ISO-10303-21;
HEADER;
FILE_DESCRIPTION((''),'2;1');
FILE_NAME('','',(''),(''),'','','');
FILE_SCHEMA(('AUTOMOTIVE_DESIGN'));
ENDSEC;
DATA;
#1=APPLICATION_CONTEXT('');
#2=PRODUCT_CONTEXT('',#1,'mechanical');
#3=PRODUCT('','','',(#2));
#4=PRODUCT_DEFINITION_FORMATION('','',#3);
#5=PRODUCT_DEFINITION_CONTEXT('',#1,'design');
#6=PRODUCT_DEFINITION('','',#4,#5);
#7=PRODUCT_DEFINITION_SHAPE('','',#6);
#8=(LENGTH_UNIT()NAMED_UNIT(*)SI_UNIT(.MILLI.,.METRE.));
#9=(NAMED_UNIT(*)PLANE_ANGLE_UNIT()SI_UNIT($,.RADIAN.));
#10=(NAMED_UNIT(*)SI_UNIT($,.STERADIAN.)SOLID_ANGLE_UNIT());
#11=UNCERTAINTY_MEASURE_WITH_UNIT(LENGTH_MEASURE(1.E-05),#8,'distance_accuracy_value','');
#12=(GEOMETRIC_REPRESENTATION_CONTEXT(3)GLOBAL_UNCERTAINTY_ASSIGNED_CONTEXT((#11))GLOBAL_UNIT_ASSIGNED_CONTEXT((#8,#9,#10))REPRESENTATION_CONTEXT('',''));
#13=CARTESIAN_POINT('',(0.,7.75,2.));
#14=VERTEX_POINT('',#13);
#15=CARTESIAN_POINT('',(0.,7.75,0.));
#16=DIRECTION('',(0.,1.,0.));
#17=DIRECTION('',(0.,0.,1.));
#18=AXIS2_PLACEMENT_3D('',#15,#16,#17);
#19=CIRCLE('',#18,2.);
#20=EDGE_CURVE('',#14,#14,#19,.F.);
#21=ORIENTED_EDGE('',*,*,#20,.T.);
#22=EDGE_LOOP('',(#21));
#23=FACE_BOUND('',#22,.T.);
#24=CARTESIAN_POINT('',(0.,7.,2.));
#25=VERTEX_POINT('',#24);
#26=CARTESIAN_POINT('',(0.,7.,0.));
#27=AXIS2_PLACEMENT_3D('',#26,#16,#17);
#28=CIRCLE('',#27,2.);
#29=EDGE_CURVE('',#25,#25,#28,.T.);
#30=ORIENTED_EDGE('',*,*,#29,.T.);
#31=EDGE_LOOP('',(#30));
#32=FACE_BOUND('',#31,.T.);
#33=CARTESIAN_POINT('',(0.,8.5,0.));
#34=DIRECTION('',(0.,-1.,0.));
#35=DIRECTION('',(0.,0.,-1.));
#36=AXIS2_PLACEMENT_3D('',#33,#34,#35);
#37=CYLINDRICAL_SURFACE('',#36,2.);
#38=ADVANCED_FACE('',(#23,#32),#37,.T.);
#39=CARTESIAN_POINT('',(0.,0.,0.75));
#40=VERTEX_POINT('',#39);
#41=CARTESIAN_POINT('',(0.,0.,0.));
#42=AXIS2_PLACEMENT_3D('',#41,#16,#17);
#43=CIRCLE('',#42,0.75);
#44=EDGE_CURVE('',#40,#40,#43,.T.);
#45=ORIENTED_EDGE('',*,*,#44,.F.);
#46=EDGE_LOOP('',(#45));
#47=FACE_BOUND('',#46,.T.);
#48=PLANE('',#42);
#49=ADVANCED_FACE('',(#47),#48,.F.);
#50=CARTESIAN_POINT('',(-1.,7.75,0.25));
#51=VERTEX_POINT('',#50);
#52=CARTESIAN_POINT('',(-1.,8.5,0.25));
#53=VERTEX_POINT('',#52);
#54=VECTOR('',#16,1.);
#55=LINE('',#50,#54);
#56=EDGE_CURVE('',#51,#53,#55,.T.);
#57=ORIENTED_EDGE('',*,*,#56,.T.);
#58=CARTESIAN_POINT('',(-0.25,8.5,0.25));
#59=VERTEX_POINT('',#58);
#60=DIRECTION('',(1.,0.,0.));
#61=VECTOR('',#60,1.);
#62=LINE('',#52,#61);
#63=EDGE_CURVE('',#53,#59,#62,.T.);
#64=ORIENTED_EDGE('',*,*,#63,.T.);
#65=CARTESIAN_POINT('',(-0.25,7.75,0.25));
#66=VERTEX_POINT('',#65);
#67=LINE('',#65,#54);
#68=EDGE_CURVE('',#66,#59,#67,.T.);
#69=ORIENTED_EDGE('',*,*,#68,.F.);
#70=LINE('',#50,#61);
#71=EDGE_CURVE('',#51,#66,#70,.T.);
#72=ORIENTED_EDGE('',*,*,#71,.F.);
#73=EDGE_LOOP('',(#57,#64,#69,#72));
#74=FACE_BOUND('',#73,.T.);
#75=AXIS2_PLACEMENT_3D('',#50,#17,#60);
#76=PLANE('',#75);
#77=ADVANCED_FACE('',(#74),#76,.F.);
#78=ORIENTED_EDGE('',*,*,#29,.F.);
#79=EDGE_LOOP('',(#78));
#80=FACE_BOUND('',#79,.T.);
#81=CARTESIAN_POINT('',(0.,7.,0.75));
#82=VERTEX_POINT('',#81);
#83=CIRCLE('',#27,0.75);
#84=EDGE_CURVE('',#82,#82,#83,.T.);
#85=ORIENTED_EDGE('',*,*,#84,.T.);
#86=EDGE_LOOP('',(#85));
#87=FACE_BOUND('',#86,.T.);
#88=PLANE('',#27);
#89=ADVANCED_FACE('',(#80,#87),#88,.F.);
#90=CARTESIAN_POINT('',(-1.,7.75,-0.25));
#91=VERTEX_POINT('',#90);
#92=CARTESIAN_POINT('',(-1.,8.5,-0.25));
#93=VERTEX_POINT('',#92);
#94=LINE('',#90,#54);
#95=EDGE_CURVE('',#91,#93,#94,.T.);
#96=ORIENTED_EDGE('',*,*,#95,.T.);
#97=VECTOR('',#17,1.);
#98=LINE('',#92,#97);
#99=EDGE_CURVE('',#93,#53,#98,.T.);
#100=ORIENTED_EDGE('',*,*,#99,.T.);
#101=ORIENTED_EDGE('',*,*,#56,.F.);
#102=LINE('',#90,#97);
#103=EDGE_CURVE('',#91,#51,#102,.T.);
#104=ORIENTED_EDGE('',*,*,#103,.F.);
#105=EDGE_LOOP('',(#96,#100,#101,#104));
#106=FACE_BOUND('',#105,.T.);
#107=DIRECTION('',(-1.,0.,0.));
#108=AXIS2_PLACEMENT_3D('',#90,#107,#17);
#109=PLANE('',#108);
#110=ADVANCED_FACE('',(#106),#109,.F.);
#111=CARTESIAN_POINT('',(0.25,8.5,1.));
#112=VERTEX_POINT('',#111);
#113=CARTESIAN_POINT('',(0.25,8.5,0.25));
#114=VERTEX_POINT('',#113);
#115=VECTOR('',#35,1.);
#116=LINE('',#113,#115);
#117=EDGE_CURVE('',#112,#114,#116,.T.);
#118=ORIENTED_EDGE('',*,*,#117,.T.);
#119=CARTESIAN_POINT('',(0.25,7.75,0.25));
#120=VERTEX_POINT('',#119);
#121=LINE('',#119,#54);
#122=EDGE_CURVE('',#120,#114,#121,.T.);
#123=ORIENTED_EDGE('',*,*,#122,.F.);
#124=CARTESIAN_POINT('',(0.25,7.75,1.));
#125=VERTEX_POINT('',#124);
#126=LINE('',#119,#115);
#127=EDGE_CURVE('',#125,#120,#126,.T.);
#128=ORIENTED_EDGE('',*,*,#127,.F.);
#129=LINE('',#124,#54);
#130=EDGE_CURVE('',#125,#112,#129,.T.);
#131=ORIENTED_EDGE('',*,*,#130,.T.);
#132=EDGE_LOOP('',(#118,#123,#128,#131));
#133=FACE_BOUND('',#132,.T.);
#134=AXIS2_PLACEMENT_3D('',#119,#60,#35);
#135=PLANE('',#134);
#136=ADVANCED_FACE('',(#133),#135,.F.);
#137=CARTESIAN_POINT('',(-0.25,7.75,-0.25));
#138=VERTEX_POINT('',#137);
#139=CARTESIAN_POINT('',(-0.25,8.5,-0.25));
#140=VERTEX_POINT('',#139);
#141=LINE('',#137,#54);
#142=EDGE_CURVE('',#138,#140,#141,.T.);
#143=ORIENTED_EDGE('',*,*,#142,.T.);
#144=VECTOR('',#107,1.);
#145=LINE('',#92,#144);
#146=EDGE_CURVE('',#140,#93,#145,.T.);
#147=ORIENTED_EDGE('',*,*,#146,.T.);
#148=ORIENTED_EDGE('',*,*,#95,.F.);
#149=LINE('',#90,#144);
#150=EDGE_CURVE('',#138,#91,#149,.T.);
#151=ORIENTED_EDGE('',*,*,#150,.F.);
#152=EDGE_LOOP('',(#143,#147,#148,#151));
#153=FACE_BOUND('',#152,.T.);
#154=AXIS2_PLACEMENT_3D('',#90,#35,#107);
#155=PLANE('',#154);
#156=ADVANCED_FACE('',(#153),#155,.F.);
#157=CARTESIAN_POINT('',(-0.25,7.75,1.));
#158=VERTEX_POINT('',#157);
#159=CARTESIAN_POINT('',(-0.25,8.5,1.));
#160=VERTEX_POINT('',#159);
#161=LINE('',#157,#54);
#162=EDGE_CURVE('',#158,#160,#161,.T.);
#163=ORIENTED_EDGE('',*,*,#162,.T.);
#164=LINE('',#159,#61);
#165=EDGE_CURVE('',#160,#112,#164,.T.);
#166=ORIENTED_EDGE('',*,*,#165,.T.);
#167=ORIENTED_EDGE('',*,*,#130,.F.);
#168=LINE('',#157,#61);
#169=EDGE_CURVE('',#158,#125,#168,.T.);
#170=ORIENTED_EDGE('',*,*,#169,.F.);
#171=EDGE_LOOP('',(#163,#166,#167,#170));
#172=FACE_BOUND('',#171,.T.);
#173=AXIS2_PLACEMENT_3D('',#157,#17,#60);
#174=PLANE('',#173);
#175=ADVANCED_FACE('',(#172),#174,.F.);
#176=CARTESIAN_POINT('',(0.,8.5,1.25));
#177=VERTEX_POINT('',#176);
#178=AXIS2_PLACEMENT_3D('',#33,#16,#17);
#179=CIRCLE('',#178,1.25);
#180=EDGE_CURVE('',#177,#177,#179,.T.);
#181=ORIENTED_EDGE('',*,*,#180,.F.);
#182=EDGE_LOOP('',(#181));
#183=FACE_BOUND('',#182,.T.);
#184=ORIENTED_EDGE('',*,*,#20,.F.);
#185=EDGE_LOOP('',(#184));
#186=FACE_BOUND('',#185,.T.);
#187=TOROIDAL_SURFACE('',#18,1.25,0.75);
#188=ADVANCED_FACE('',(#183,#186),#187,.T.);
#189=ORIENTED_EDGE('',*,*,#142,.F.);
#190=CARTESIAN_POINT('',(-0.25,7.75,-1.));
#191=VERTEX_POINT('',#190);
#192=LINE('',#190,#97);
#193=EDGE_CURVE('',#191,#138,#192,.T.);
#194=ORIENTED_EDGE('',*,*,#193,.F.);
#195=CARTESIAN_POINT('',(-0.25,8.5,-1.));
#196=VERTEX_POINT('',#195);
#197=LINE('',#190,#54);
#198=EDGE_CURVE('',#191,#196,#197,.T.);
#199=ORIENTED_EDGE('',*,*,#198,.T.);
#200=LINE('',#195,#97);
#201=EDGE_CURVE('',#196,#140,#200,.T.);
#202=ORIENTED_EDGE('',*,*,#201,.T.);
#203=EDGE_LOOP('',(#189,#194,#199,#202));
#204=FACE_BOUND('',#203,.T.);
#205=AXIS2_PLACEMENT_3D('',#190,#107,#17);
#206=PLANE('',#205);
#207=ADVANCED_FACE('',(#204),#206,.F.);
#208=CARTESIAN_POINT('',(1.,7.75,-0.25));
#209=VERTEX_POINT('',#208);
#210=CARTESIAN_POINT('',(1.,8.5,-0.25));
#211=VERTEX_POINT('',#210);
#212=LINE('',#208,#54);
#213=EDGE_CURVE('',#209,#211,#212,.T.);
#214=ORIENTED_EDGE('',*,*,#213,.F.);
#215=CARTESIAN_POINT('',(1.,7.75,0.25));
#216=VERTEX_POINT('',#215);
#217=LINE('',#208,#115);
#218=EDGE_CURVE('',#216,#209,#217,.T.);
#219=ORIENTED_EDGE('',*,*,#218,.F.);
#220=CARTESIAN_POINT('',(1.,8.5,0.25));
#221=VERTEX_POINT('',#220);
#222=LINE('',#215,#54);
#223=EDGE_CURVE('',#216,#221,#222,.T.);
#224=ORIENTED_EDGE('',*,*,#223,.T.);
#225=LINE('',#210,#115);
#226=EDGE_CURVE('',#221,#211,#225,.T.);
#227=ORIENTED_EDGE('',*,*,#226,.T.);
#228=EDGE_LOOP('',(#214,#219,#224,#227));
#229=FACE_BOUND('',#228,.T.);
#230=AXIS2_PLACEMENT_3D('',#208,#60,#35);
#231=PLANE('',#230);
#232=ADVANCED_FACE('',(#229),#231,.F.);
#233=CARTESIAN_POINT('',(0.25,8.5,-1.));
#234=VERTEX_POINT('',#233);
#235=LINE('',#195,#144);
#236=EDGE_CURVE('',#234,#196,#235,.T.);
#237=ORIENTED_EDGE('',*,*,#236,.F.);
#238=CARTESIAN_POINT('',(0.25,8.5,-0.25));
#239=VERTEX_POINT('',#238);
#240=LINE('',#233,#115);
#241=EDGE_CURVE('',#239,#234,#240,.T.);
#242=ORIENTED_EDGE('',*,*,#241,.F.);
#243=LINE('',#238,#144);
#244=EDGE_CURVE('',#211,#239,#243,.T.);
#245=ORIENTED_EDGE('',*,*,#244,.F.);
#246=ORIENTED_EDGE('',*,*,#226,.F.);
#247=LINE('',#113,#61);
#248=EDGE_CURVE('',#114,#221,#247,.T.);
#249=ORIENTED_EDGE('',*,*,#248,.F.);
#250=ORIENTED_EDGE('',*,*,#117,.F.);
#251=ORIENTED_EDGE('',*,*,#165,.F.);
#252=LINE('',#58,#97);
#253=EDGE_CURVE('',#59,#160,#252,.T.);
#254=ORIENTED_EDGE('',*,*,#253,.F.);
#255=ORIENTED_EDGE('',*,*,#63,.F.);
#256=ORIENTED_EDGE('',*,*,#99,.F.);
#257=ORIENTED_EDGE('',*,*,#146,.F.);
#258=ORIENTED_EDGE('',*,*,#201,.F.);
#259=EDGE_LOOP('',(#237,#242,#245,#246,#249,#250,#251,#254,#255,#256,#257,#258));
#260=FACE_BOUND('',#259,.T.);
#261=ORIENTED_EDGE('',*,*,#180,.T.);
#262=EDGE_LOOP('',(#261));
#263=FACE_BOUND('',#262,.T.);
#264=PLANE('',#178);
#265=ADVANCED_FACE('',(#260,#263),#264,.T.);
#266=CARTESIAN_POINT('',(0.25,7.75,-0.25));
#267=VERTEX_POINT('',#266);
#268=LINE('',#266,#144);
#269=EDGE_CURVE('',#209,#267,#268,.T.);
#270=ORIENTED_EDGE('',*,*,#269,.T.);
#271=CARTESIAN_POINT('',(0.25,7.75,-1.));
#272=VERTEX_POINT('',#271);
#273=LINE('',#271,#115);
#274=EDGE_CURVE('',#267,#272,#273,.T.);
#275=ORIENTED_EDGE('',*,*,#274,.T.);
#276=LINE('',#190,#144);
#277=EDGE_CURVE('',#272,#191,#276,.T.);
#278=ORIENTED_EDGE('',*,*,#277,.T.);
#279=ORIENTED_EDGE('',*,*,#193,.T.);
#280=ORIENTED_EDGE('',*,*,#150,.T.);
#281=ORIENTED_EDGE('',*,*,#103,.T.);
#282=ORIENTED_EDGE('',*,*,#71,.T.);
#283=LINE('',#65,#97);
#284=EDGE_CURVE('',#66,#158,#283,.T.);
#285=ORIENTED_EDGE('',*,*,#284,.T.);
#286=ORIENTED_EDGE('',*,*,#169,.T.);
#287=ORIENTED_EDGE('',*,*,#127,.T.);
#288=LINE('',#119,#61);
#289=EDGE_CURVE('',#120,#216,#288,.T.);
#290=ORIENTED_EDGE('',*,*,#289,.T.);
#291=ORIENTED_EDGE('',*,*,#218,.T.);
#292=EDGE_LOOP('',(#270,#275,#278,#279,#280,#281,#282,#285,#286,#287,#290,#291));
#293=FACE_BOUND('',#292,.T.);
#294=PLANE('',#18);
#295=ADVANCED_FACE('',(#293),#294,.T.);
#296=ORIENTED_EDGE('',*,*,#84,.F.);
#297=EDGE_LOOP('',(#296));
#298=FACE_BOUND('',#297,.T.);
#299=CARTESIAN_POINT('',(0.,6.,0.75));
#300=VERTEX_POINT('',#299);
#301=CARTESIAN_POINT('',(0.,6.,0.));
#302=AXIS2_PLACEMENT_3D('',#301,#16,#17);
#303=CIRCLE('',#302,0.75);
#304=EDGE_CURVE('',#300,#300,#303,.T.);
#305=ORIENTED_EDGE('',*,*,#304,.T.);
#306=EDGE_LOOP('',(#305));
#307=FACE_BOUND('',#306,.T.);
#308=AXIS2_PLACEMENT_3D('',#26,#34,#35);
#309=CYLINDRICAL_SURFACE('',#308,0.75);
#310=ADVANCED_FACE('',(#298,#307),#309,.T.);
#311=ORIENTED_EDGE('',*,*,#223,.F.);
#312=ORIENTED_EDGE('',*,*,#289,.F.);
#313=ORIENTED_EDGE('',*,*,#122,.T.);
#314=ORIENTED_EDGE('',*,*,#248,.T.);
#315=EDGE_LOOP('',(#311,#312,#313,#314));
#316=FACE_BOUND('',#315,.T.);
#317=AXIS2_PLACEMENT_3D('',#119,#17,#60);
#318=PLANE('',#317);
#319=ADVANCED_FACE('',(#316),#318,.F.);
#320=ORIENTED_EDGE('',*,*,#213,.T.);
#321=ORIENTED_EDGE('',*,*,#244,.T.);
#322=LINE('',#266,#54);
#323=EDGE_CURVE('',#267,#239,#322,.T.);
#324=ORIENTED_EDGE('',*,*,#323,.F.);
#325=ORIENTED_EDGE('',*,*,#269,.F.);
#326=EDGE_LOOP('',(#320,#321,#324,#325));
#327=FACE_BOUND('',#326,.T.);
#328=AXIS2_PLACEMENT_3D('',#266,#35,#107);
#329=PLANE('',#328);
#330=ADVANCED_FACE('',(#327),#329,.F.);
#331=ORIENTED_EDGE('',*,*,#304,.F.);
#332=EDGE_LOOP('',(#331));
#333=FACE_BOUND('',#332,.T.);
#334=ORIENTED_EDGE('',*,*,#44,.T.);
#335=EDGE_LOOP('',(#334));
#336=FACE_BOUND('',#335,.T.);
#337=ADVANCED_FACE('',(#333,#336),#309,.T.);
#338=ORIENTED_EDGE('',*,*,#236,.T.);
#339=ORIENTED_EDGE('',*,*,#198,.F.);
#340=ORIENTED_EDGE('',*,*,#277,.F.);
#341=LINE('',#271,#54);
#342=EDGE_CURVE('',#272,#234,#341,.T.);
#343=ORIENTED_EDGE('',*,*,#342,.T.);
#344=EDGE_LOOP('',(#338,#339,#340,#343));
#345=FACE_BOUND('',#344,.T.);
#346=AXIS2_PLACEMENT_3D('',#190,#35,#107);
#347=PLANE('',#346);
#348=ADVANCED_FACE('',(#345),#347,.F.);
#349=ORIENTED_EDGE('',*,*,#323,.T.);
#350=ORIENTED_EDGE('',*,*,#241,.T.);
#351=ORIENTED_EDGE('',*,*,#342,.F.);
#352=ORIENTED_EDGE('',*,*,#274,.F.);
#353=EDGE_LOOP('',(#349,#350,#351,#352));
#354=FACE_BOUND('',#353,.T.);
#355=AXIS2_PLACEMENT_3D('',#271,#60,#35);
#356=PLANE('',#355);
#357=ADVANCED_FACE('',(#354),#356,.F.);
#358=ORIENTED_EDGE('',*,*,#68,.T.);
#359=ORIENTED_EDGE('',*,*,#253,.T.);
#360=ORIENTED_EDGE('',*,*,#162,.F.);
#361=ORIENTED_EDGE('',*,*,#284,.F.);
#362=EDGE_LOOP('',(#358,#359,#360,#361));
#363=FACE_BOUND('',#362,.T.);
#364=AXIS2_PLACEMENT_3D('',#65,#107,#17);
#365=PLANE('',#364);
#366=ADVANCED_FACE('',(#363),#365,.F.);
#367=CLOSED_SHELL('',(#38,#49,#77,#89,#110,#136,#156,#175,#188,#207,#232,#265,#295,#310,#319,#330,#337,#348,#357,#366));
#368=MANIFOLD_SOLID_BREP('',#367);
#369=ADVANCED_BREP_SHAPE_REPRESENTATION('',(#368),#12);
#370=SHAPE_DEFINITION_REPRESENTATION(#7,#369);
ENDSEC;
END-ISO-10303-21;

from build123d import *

# Parameters (mm, degrees)
SKETCH3_R           = 0.75
BOSS_EXTRUDE1_DEPTH = 7
SKETCH4_R           = 2
BOSS_EXTRUDE2_DEPTH = 1.5
FILLET3_R           = 0.75
CUT_EXTRUDE4_DEPTH  = 0.75


with BuildPart() as part:
    # Sketch3 → Boss-Extrude1 (new body)
    with BuildSketch(Plane(origin=(0, 0, 0), x_dir=(1, 0, 0), z_dir=(0, 1, 0))):
        with Locations(Location((0, 0, 0), (0, 0, 270))):
            Circle(SKETCH3_R)
    extrude(amount=BOSS_EXTRUDE1_DEPTH)

    # Sketch4 → Boss-Extrude2 (add)
    with BuildSketch(Plane(origin=(0, 7, 0), x_dir=(1, 0, 0), z_dir=(0, 1, 0))):
        with Locations(Location((0, 0, 0), (0, 0, 270))):
            Circle(SKETCH4_R)
    extrude(amount=BOSS_EXTRUDE2_DEPTH)

    # Fillet3
    fillet3_edges = [part.edges().sort_by_distance(p)[0] for p in [
        (0, 8.5, -2),
    ]]
    fillet(fillet3_edges, radius=FILLET3_R)

    # Sketch6 → Cut-Extrude4 (cut)
    with BuildSketch(Plane(origin=(0, 8.5, 0), x_dir=(1, 0, 0), z_dir=(0, 1, 0))):
        Polygon((0.25, 0.25), (1, 0.25), (1, -0.25), (0.25, -0.25), (0.25, -1), (-0.25, -1), (-0.25, -0.25), (-1, -0.25), (-1, 0.25), (-0.25, 0.25), (-0.25, 1), (0.25, 1), align=None)
    extrude(amount=-CUT_EXTRUDE4_DEPTH, mode=Mode.SUBTRACT)


solid = part.part
